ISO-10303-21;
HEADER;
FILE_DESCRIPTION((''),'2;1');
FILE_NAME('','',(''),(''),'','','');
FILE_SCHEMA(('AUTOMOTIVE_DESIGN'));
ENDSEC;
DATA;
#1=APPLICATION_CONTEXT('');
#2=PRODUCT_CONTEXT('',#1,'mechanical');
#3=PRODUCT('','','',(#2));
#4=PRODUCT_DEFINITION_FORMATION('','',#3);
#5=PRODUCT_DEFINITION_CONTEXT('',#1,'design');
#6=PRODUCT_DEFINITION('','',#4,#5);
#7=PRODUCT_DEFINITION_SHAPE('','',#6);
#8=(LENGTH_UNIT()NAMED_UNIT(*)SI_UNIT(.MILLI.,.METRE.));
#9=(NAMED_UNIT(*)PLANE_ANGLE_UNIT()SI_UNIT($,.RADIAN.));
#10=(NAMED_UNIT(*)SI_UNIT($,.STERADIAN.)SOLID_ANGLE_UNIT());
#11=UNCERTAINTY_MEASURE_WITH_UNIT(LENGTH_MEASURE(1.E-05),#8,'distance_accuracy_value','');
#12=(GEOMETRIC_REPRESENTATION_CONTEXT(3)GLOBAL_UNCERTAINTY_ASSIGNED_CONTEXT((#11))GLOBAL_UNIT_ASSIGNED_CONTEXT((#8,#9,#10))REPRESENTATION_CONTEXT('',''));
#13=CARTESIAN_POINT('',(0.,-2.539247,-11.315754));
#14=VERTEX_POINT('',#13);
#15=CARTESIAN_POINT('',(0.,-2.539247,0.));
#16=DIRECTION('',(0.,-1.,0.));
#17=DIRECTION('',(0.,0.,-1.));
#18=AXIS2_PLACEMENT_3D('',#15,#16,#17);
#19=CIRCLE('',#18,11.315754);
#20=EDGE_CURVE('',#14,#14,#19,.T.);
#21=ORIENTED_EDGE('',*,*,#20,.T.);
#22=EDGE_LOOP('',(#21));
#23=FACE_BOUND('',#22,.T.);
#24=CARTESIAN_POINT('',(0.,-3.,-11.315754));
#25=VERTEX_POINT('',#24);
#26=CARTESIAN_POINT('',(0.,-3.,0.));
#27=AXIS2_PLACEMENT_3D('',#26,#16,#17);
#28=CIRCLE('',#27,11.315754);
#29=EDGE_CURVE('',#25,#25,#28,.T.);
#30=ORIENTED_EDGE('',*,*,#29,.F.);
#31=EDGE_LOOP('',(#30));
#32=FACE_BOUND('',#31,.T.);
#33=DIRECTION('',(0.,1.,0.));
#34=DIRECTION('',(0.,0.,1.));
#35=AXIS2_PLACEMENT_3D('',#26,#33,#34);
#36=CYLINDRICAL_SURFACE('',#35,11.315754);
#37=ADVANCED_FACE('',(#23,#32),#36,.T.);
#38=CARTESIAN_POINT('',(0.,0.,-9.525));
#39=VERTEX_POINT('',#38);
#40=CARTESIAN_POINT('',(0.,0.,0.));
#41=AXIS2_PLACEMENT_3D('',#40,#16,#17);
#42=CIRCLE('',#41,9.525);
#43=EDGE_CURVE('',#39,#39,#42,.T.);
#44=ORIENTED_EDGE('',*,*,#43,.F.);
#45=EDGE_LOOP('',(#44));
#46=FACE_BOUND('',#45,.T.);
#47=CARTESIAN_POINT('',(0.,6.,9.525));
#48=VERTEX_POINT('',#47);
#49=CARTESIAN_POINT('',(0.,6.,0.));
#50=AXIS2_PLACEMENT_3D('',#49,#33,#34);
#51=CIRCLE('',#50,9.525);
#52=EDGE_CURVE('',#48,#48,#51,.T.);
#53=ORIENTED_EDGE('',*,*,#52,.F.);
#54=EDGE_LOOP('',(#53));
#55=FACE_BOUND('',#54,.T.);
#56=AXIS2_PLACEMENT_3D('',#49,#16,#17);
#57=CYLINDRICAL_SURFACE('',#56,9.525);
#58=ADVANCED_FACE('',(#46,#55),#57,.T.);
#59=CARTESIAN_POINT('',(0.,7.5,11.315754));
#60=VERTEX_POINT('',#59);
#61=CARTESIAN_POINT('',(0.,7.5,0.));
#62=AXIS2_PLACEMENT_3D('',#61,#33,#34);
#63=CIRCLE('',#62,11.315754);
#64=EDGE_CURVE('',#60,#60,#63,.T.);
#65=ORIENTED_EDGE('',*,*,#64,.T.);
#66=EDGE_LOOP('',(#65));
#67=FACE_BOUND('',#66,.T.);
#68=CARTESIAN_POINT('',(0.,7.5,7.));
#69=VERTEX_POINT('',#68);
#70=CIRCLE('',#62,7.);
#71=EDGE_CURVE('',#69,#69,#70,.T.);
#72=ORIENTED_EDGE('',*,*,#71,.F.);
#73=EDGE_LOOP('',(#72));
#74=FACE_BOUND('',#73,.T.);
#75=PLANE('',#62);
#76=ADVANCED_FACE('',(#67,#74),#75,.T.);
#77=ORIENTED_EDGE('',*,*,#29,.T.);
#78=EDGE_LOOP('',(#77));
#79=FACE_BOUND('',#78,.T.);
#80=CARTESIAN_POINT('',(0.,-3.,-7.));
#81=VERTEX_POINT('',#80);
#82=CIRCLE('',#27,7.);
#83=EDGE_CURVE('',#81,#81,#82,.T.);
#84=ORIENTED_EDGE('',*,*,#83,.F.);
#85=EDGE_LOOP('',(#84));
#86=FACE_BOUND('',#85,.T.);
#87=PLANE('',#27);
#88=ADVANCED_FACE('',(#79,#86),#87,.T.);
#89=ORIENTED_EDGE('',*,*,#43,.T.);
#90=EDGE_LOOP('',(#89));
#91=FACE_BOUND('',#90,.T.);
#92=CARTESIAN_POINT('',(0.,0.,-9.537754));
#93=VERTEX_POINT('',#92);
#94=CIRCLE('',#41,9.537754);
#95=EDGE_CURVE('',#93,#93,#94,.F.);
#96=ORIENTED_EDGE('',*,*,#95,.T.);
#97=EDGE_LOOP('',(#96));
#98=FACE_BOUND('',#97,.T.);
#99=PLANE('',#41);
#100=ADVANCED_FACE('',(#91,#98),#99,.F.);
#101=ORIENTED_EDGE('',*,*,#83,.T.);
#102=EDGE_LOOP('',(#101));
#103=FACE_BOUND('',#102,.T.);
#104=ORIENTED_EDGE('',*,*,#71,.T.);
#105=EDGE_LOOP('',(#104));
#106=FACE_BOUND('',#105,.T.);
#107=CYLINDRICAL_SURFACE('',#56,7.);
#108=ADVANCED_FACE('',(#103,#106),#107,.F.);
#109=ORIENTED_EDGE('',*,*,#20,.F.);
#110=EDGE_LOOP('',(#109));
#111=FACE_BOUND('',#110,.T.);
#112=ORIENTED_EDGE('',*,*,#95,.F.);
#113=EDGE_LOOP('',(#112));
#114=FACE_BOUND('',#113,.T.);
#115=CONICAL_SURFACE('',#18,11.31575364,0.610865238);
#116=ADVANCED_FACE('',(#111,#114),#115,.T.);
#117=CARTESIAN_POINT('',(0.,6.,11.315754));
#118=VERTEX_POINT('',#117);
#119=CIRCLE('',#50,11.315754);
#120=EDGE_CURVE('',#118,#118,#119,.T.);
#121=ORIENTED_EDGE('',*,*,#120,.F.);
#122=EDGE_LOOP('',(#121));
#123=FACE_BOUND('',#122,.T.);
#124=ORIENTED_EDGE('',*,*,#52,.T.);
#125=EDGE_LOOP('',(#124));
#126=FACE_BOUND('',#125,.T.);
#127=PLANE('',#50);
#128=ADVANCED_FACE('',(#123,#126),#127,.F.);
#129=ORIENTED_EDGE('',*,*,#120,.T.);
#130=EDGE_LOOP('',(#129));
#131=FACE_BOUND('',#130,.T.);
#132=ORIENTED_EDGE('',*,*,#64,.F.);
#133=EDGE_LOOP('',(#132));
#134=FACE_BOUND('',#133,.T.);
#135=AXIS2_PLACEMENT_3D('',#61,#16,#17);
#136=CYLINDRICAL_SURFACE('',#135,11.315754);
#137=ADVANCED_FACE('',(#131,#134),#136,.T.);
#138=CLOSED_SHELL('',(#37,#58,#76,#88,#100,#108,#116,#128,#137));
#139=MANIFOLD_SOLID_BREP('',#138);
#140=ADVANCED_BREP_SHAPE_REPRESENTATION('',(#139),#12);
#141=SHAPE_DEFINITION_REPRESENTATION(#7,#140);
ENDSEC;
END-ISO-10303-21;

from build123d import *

# Parameters (mm, degrees)
SKETCH1_R           = 9.525
SKETCH1_R_2         = 7
BOSS_EXTRUDE1_DEPTH = 6
SKETCH2_R           = 11.31575364
SKETCH2_R_2         = 7
BOSS_EXTRUDE2_DEPTH = 1.5
BOSS_EXTRUDE4_START = 3
SKETCH3_R           = 11.31575364
SKETCH3_R_2         = 7
BOSS_EXTRUDE4_DEPTH = 3
CHAMFER4_SIZE       = 1.778
CHAMFER4_SIZE2      = 2.539247156


with BuildPart() as part:
    # Sketch1 → Boss-Extrude1 (new body)
    with BuildSketch(Plane(origin=(0, 0, 0), x_dir=(1, 0, 0), z_dir=(0, 1, 0))):
        with Locations(Location((0, 0, 0), (0, 0, 270))):
            Circle(SKETCH1_R)
        with Locations(Location((0, 0, 0), (0, 0, 270))):
            Circle(SKETCH1_R_2, mode=Mode.SUBTRACT)
    extrude(amount=BOSS_EXTRUDE1_DEPTH)

    # Sketch2 → Boss-Extrude2 (add)
    with BuildSketch(Plane(origin=(0, 6, 0), x_dir=(1, 0, 0), z_dir=(0, 1, 0))):
        with Locations(Location((0, 0, 0), (0, 0, 270))):
            Circle(SKETCH2_R)
        with Locations(Location((0, 0, 0), (0, 0, 270))):
            Circle(SKETCH2_R_2, mode=Mode.SUBTRACT)
    extrude(amount=BOSS_EXTRUDE2_DEPTH)

    # Sketch3 → Boss-Extrude4 (add)
    with BuildSketch(Plane.XZ.offset(BOSS_EXTRUDE4_START)):
        with Locations(Location((0, 0, 0), (0, 0, 90))):
            Circle(SKETCH3_R)
        with Locations(Location((0, 0, 0), (0, 0, 270))):
            Circle(SKETCH3_R_2, mode=Mode.SUBTRACT)
    extrude(amount=-BOSS_EXTRUDE4_DEPTH)

    # Chamfer4
    chamfer4_edges = [part.edges().sort_by_distance(p)[0] for p in [
        (0, 0, -11.31575364),
    ]]
    chamfer4_side = [part.faces().sort_by_distance(p)[0] for p in [
        (0, 0, -10.995695794),
    ]]
    chamfer(chamfer4_edges, length=CHAMFER4_SIZE, length2=CHAMFER4_SIZE2, reference=chamfer4_side[0])


solid = part.part
